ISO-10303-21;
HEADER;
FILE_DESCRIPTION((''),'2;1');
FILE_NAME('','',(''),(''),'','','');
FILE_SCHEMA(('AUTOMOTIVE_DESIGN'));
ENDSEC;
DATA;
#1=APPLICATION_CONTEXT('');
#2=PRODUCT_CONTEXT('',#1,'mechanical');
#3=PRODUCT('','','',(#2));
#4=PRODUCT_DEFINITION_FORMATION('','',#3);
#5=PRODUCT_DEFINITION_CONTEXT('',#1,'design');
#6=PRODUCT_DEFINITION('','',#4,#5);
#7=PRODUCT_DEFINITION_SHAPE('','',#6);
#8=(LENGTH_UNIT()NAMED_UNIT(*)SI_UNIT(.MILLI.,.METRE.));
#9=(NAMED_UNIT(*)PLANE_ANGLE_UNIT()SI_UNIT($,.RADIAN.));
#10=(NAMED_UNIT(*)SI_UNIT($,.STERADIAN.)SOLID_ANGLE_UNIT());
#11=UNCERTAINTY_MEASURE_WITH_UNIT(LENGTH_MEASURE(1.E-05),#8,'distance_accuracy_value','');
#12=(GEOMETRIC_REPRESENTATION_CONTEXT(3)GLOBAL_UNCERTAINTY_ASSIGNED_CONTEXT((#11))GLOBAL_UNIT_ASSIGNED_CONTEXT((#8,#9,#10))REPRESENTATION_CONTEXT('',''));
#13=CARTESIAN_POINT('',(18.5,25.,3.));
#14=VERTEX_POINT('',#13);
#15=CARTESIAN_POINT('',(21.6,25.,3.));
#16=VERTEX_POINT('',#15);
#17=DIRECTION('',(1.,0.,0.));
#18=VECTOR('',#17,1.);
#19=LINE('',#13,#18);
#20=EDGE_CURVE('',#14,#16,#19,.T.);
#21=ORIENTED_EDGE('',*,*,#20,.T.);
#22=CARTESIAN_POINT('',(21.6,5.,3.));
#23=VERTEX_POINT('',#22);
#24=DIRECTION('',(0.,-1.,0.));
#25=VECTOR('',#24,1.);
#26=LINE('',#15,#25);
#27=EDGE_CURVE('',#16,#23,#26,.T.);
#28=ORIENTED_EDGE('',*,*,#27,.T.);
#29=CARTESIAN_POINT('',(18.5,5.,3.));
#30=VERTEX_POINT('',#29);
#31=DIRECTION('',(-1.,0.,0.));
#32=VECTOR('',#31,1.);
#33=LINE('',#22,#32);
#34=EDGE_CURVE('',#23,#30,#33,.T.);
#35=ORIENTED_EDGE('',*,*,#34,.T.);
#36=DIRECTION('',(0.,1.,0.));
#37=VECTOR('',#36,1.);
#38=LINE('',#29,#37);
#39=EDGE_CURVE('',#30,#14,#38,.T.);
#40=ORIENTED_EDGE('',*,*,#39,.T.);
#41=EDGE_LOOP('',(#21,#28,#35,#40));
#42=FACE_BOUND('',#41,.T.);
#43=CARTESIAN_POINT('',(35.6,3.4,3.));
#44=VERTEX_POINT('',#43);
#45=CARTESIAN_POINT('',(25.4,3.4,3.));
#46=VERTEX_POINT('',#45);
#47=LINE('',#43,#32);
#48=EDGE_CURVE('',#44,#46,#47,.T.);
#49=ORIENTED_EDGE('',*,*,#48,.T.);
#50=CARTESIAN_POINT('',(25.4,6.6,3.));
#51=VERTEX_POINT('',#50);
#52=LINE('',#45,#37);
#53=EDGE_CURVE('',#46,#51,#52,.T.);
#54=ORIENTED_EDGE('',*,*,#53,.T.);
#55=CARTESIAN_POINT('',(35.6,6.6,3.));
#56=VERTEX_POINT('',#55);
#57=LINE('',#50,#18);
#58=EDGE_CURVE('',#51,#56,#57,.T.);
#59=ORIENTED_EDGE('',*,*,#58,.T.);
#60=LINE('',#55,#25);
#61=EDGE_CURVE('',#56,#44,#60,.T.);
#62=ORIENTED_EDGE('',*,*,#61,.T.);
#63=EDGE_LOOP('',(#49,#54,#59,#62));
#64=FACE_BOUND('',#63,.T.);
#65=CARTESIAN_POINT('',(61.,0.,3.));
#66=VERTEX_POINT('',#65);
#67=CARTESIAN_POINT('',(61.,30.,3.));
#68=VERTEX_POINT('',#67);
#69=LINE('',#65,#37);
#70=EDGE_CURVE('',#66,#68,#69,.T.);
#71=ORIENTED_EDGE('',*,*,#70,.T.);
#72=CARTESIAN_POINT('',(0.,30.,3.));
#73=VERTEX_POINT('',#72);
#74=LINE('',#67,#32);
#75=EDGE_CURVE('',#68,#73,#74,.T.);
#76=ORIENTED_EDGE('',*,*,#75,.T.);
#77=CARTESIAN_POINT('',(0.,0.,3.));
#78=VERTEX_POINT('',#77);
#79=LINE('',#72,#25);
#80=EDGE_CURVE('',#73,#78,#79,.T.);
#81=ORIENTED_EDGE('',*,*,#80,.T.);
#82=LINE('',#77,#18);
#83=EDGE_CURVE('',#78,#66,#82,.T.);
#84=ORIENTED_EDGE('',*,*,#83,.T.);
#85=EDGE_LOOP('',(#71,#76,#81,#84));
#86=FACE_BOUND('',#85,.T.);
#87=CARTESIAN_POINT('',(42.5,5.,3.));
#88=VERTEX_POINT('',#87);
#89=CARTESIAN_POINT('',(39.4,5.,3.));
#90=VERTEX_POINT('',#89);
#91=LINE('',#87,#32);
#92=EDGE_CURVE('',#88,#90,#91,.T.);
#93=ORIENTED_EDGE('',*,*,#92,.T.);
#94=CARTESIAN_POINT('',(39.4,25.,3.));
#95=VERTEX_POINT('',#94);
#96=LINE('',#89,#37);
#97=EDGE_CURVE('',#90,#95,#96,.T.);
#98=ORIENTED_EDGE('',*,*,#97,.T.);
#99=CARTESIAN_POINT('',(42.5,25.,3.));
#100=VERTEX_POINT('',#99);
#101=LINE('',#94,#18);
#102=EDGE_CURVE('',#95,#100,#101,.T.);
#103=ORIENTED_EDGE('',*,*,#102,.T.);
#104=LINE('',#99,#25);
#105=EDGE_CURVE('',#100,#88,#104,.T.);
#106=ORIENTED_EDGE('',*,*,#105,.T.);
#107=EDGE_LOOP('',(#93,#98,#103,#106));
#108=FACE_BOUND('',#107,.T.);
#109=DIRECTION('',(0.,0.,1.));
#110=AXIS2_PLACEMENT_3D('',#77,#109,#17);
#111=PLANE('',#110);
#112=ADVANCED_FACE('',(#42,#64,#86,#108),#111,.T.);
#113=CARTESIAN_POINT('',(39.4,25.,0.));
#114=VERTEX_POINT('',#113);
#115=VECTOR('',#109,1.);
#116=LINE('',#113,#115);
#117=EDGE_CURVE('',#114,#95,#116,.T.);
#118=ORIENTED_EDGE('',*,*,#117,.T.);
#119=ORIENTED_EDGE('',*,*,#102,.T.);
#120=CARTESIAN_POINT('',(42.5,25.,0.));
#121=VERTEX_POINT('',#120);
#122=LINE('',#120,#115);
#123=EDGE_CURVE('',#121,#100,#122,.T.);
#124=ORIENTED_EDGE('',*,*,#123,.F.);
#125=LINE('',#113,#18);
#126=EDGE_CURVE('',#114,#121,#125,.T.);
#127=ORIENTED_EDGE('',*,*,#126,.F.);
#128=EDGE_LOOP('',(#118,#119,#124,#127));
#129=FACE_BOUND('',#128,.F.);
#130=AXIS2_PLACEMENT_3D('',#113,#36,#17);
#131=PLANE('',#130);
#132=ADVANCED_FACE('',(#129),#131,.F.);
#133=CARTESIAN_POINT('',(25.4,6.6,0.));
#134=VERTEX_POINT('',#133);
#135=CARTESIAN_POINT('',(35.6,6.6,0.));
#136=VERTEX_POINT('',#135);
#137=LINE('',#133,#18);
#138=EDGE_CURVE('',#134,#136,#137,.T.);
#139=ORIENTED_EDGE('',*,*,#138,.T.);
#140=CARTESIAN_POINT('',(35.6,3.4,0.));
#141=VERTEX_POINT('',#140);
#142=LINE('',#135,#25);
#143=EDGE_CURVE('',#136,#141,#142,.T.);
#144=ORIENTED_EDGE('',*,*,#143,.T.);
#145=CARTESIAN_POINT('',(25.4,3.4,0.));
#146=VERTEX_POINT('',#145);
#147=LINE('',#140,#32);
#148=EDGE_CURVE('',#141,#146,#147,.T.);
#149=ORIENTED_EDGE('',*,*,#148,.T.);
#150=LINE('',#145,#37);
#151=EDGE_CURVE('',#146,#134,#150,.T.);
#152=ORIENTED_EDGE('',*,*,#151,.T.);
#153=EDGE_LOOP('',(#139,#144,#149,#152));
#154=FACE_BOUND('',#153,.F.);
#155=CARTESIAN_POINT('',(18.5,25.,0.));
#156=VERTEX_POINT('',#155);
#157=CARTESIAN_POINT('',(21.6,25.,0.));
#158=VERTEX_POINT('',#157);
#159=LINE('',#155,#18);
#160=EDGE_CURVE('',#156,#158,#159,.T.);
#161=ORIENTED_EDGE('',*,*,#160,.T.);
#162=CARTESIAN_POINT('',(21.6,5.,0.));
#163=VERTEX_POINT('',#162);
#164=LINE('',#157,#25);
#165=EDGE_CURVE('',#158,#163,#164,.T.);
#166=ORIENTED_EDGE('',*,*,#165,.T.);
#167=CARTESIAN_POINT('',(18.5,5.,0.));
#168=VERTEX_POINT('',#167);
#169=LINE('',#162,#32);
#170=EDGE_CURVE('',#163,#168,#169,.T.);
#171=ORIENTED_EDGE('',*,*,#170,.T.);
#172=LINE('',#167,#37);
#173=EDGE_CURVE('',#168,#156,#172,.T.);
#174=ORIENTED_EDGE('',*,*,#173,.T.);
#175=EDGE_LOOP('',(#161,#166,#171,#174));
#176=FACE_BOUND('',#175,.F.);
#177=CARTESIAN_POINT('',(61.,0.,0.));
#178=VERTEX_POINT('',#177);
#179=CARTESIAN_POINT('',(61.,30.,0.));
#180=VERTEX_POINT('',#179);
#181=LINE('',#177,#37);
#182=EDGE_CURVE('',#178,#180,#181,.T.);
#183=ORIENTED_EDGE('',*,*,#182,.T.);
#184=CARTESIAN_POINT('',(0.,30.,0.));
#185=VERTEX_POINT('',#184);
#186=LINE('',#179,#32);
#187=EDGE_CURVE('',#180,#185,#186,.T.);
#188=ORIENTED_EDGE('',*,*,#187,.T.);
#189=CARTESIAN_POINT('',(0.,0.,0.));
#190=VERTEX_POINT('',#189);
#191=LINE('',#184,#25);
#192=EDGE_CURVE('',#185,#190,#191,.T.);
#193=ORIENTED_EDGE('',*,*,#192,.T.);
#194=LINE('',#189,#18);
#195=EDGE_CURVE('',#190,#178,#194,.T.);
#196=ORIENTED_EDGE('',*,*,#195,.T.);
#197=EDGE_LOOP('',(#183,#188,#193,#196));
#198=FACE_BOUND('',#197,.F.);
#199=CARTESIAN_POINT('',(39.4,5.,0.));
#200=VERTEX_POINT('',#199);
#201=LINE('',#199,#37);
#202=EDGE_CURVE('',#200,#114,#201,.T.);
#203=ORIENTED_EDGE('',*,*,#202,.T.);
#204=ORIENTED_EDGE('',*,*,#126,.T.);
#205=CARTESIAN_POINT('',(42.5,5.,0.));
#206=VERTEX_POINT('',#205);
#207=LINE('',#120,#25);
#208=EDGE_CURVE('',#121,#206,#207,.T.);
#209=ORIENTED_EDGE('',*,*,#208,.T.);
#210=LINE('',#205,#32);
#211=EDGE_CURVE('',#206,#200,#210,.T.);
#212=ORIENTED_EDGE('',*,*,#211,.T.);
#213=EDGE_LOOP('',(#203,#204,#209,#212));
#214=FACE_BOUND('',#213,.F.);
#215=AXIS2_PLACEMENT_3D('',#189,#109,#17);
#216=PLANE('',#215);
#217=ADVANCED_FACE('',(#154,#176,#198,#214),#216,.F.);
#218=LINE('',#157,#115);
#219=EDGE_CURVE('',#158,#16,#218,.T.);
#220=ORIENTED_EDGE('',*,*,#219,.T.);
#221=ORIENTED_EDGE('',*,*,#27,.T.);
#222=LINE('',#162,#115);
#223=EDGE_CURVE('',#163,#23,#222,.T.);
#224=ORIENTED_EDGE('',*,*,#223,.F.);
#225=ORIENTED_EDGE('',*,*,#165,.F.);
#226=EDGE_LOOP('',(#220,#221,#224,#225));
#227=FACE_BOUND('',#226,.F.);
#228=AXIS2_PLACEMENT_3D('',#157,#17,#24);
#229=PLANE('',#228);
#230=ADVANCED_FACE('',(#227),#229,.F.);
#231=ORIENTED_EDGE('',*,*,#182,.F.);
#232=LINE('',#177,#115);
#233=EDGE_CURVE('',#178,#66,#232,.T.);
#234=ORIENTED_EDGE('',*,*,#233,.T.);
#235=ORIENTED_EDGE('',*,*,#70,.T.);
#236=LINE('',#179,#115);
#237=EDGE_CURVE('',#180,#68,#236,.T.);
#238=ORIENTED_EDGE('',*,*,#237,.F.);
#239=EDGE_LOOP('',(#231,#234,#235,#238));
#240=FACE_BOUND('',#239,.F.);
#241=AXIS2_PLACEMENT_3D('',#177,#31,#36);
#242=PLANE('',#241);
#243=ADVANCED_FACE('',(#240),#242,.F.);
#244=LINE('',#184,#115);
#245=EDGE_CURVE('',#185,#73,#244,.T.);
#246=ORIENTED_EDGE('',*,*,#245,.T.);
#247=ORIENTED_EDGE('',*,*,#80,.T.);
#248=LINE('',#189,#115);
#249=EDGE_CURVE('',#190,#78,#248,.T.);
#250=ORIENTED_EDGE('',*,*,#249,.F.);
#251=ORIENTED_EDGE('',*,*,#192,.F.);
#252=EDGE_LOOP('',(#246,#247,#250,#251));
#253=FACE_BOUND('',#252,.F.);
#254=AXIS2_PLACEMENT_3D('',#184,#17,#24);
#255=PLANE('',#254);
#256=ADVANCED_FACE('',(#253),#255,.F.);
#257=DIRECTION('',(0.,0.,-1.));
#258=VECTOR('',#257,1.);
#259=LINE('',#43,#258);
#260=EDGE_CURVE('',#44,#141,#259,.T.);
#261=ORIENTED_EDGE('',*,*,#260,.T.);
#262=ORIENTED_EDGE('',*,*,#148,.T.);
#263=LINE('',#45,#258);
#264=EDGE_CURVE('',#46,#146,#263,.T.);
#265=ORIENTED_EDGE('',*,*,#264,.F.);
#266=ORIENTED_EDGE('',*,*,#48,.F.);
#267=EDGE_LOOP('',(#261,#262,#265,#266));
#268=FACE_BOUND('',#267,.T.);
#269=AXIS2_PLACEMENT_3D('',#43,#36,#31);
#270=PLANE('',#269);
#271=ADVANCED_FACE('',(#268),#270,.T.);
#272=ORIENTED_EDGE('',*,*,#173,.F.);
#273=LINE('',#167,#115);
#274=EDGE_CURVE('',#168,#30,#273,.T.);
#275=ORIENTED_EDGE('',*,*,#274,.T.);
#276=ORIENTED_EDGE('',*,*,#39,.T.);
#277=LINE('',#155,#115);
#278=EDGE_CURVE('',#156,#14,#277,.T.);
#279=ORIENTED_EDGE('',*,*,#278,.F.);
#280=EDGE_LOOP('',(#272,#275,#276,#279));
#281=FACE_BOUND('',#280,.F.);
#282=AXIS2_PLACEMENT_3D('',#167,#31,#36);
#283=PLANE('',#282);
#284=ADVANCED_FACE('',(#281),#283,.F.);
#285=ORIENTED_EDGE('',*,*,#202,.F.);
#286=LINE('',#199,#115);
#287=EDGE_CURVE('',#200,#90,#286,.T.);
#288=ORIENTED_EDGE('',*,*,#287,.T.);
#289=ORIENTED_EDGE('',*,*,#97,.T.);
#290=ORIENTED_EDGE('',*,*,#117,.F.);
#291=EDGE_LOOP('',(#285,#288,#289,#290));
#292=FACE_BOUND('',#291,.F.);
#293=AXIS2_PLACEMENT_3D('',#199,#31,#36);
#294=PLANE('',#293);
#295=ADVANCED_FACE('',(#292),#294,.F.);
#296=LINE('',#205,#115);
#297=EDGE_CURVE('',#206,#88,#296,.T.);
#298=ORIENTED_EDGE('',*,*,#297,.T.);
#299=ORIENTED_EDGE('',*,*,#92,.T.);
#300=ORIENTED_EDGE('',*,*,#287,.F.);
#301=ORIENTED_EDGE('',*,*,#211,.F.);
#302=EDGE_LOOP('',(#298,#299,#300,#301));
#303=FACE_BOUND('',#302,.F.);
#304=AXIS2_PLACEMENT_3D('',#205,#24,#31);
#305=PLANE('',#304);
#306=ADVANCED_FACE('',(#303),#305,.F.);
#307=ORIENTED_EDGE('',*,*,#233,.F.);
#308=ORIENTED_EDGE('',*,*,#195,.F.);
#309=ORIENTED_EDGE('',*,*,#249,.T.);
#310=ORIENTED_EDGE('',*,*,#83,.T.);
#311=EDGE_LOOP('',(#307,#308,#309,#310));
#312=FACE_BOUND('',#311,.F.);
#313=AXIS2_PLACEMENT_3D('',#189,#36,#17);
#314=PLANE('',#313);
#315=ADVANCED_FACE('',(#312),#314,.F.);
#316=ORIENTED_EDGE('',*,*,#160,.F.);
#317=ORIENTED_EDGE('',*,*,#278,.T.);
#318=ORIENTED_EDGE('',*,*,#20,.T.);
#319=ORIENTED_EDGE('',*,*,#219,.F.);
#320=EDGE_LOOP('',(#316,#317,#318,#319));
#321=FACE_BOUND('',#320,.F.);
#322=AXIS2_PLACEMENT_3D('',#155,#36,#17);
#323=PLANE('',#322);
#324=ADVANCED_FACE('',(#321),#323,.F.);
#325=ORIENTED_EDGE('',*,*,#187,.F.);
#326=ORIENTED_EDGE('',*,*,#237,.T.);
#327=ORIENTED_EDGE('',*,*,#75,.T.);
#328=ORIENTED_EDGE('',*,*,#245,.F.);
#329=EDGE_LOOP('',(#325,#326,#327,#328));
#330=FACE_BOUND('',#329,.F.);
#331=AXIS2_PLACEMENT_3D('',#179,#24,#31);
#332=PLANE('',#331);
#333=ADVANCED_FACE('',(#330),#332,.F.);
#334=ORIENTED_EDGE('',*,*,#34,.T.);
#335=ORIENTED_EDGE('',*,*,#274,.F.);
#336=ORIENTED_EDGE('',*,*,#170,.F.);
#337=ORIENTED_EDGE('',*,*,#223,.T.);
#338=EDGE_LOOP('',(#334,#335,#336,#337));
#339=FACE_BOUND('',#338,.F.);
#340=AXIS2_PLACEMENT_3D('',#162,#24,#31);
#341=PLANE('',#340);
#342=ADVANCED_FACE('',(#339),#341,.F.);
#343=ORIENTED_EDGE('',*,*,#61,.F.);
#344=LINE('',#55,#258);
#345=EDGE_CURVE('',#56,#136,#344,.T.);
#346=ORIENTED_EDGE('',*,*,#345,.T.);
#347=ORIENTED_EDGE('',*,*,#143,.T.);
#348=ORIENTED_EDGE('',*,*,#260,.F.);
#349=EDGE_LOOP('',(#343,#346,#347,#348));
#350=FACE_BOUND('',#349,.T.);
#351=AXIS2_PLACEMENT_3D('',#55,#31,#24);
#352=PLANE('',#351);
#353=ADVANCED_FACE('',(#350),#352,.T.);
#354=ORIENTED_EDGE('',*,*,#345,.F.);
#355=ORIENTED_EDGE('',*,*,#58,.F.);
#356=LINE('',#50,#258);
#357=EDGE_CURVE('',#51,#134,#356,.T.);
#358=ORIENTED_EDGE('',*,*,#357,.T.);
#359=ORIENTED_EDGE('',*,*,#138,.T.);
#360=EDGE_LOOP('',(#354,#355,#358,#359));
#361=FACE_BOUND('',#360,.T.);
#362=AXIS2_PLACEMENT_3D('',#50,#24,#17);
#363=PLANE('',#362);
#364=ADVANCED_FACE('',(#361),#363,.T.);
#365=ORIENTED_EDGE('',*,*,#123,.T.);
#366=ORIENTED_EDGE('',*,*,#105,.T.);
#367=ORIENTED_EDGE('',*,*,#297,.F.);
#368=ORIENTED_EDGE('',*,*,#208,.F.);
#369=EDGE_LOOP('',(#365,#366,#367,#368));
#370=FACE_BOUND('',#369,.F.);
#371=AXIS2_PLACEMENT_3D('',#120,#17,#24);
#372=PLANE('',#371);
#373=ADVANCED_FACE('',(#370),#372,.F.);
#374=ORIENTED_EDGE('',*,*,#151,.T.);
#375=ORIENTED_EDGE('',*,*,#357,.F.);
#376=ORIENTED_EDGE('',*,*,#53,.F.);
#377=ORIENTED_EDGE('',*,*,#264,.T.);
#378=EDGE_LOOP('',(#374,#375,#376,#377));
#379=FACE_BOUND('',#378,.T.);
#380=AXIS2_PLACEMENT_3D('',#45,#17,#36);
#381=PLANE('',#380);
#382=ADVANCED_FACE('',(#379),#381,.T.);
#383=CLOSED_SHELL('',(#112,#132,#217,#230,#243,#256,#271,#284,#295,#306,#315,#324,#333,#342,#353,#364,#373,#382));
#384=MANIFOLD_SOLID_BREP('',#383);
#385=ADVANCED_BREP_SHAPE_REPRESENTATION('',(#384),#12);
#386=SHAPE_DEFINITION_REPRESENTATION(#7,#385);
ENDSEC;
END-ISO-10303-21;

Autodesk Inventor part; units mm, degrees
ref_plane "YZ Plane" through (0, 0, 0) normal (1, 0, 0) x (0, 1, 0)
ref_plane "XZ Plane" through (0, 0, 0) normal (0, 1, 0) x (-1, 0, 0)
ref_plane "XY Plane" through (0, 0, 0) normal (0, 0, 1) x (1, 0, 0)
sketch "Sketch1" plane through (0, 0, 0) normal (0, 0, 1) x (1, 0, 0)
  line L0 (0, 0) -> (61, 0)
  line L1 (61, 0) -> (61, 30)
  line L2 (61, 30) -> (0, 30)
  line L3 (0, 30) -> (0, 0)
  line L4 (39.4, 25) -> (42.5, 25)
  line L5 (42.5, 25) -> (42.5, 5)
  line L6 (42.5, 5) -> (39.4, 5)
  line L7 (39.4, 5) -> (39.4, 25)
  line L8 (18.5, 25) -> (21.6, 25)
  line L9 (21.6, 25) -> (21.6, 5)
  line L10 (21.6, 5) -> (18.5, 5)
  line L11 (18.5, 5) -> (18.5, 25)
  point P0 (18.5, 15)
  point P1 (0, 15)
  point P2 (39.4, 15)
  point P3 (20.05, 5)
  point P4 (30.5, 30)
  dimension "d0" = 61
  dimension "d1" = 30
  dimension "d2" = 3.1
  dimension "d3" = 3.1
  dimension "d4" = 24
  dimension "d6" = 10
  dimension "d7" = 8.9
extrude "Extrusion1" add sketch "Sketch1" along normal blind 3
sketch "Sketch2" plane through (0, 0, 3) normal (0, 0, 1) x (1, 0, 0)
  line L0 (25.4, 6.6) -> (35.6, 6.6)
  line L1 (35.6, 6.6) -> (35.6, 3.4)
  line L2 (35.6, 3.4) -> (25.4, 3.4)
  line L3 (25.4, 3.4) -> (25.4, 6.6)
  line L4 (25.4, 6.6) -> (35.6, 3.4) construction
  line L5 (35.6, 6.6) -> (25.4, 3.4) construction
  line L6 (61, 30) -> (0, 30) projected
  line L7 (0, 0) -> (61, 0) projected
  point P0 (30.5, 5)
  point P1 (30.5, 30)
  point P2 (30.5, 30)
  dimension "d11" = 3.2
  dimension "d12" = 10.2
  dimension "d15" = 5
extrude "Extrusion2" cut sketch "Sketch2" against normal blind 3
properties part number "Moving_rail"
